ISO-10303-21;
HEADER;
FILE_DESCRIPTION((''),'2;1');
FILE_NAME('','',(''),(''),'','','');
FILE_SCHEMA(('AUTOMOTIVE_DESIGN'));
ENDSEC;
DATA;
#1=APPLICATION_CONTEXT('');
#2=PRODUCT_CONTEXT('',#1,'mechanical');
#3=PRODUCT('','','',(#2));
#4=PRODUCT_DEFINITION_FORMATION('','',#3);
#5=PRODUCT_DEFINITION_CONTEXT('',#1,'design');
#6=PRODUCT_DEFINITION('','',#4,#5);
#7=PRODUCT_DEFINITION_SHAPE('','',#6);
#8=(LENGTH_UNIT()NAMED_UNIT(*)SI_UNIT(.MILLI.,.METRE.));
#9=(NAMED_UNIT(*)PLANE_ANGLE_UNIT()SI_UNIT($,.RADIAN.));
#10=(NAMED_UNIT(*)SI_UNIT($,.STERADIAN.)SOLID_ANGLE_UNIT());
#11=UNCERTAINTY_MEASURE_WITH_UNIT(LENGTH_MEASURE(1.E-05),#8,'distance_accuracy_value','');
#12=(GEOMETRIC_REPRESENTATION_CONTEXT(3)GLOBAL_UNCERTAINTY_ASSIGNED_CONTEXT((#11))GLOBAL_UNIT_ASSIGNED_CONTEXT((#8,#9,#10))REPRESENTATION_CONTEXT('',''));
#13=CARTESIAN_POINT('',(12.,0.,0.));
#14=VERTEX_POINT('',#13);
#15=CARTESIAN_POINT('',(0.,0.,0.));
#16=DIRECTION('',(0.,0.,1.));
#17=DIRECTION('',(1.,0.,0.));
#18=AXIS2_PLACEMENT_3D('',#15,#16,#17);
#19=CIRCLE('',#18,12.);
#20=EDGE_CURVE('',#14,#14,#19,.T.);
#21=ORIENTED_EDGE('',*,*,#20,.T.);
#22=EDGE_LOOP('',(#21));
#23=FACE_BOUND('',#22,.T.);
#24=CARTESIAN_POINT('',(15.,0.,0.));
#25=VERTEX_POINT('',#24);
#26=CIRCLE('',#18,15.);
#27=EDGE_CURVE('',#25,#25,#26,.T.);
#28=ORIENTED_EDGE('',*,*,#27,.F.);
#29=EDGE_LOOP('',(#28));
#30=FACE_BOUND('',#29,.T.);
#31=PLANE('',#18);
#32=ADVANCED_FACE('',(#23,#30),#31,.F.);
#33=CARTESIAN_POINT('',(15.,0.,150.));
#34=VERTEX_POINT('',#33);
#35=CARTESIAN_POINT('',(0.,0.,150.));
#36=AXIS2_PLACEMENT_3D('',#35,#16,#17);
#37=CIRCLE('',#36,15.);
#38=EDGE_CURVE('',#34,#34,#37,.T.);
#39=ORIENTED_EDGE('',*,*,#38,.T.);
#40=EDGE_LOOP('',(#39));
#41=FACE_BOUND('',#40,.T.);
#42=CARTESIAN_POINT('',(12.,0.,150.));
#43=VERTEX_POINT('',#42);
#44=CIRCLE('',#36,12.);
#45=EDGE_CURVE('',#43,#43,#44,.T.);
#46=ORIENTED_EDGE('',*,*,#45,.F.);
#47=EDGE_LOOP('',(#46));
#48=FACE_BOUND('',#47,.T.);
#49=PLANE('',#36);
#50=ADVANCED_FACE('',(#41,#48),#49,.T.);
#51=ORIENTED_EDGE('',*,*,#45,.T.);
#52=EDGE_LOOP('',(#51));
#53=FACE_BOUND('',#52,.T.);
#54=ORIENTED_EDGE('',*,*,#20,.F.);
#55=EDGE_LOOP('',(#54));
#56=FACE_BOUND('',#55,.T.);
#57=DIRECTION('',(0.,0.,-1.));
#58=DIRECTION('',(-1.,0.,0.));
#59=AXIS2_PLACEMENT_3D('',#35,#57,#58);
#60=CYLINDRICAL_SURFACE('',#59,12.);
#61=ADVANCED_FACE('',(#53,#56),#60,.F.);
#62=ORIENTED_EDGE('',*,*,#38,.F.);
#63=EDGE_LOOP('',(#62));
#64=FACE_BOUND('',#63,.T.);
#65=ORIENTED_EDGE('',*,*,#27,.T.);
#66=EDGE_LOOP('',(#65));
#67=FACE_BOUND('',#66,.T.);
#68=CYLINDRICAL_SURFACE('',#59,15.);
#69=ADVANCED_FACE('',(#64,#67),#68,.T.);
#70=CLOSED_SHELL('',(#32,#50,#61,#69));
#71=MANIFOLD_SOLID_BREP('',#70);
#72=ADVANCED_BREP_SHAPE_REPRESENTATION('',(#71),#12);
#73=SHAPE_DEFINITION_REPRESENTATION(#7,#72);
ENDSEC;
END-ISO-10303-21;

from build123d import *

# Parameters (mm, degrees)
SZKIC1_R                    = 15
SZKIC1_R_2                  = 12
DODANIE_WYCI_GNI_CIE1_DEPTH = 150


with BuildPart() as part:
    # Szkic1 → Dodanie-wyciągnięcie1 (new body)
    with BuildSketch(Plane.XY):
        Circle(SZKIC1_R)
        Circle(SZKIC1_R_2, mode=Mode.SUBTRACT)
    extrude(amount=DODANIE_WYCI_GNI_CIE1_DEPTH)


solid = part.part
